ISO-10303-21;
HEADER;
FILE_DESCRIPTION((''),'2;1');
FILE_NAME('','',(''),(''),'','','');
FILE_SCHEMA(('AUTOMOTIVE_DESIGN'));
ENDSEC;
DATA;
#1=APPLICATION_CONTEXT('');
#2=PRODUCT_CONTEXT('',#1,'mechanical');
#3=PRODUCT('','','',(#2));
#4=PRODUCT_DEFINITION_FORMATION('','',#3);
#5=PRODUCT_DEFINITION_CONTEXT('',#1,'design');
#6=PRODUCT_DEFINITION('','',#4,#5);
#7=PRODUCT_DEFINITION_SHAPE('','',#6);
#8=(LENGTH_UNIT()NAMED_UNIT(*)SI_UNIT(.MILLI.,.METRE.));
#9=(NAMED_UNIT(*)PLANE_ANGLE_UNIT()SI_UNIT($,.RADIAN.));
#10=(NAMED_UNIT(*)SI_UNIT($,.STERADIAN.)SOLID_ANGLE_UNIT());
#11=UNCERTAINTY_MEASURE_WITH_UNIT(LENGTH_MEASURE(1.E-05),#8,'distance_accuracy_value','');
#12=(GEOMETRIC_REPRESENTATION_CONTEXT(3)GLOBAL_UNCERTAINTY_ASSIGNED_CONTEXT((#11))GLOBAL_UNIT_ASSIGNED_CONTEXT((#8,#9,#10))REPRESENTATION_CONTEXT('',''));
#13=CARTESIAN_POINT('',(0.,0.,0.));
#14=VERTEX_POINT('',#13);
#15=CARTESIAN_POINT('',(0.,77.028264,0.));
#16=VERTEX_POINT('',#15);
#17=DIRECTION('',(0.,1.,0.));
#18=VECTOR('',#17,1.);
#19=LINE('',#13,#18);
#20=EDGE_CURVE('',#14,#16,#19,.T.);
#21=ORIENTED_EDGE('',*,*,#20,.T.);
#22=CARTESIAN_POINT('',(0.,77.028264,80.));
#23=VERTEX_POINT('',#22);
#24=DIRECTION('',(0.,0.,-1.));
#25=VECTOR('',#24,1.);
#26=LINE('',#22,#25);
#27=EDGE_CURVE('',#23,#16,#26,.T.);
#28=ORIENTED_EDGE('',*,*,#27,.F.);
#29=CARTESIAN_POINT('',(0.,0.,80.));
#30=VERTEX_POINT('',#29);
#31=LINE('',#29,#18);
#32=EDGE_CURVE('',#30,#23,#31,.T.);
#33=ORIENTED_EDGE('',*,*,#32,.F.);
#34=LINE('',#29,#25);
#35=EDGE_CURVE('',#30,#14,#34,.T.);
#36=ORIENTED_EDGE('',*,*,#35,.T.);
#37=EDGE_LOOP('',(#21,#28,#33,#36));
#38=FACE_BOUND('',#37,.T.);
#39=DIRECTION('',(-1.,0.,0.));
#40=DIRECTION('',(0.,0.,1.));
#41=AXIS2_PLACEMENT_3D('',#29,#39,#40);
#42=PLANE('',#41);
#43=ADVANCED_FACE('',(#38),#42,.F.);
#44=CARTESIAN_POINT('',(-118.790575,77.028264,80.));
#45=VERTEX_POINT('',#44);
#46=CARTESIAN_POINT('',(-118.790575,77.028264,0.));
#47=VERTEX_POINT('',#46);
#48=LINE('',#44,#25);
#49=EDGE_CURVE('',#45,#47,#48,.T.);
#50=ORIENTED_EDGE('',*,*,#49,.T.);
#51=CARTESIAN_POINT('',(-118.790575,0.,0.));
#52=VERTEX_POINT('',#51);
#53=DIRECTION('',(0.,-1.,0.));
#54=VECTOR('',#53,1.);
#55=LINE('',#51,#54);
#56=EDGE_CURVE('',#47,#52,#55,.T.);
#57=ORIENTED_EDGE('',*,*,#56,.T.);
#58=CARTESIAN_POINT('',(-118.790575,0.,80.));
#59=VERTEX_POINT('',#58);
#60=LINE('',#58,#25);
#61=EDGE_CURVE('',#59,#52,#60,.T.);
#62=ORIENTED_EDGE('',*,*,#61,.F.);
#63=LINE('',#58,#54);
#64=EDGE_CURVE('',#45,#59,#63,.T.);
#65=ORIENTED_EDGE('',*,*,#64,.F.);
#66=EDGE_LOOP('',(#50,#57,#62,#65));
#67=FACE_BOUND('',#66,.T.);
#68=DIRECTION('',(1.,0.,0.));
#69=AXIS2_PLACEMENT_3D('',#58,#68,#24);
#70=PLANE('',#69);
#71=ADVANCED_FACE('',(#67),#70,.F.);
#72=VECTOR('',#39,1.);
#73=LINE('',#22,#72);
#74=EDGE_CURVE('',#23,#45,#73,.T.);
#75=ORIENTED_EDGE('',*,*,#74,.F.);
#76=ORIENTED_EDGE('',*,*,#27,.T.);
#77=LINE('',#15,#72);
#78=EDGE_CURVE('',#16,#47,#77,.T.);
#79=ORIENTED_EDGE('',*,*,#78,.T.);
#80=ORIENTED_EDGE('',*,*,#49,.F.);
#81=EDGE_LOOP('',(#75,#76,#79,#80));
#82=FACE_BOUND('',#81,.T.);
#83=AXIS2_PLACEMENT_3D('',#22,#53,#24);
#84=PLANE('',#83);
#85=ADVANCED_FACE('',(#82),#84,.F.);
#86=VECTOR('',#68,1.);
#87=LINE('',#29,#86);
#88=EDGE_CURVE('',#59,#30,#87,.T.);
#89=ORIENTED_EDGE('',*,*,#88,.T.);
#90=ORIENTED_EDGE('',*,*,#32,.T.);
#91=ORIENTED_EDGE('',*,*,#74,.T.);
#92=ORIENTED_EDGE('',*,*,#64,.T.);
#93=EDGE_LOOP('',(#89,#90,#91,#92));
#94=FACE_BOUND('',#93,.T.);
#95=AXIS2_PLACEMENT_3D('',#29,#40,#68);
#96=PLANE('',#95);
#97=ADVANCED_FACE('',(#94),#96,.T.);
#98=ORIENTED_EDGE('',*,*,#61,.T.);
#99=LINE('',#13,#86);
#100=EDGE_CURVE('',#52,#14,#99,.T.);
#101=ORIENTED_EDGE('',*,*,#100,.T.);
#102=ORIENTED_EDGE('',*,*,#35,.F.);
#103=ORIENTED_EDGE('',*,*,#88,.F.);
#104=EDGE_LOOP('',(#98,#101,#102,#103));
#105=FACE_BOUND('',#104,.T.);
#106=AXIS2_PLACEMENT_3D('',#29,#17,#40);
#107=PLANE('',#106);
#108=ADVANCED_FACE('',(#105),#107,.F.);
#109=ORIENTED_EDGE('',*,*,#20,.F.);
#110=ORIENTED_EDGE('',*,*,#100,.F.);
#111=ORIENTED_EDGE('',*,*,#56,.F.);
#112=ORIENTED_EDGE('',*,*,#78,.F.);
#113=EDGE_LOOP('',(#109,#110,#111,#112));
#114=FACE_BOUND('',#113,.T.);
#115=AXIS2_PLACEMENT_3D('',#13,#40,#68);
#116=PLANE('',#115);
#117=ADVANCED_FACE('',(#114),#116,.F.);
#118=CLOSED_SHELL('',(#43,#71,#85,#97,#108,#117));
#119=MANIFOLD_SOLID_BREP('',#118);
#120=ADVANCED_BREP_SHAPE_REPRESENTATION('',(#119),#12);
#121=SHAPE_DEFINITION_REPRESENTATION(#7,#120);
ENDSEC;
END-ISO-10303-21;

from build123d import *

# Parameters (mm, degrees)
SKIZZE1_W                       = 118.790575329
SKIZZE1_H                       = 77.02826369
AUFSATZ_LINEAR_AUSTRAGEN1_DEPTH = 80


with BuildPart() as part:
    # Skizze1 → Aufsatz-Linear austragen1 (new body)
    with BuildSketch(Plane.XY):
        with Locations((-59.395287665, 38.514131845)):
            Rectangle(SKIZZE1_W, SKIZZE1_H)
    extrude(amount=AUFSATZ_LINEAR_AUSTRAGEN1_DEPTH)


solid = part.part
